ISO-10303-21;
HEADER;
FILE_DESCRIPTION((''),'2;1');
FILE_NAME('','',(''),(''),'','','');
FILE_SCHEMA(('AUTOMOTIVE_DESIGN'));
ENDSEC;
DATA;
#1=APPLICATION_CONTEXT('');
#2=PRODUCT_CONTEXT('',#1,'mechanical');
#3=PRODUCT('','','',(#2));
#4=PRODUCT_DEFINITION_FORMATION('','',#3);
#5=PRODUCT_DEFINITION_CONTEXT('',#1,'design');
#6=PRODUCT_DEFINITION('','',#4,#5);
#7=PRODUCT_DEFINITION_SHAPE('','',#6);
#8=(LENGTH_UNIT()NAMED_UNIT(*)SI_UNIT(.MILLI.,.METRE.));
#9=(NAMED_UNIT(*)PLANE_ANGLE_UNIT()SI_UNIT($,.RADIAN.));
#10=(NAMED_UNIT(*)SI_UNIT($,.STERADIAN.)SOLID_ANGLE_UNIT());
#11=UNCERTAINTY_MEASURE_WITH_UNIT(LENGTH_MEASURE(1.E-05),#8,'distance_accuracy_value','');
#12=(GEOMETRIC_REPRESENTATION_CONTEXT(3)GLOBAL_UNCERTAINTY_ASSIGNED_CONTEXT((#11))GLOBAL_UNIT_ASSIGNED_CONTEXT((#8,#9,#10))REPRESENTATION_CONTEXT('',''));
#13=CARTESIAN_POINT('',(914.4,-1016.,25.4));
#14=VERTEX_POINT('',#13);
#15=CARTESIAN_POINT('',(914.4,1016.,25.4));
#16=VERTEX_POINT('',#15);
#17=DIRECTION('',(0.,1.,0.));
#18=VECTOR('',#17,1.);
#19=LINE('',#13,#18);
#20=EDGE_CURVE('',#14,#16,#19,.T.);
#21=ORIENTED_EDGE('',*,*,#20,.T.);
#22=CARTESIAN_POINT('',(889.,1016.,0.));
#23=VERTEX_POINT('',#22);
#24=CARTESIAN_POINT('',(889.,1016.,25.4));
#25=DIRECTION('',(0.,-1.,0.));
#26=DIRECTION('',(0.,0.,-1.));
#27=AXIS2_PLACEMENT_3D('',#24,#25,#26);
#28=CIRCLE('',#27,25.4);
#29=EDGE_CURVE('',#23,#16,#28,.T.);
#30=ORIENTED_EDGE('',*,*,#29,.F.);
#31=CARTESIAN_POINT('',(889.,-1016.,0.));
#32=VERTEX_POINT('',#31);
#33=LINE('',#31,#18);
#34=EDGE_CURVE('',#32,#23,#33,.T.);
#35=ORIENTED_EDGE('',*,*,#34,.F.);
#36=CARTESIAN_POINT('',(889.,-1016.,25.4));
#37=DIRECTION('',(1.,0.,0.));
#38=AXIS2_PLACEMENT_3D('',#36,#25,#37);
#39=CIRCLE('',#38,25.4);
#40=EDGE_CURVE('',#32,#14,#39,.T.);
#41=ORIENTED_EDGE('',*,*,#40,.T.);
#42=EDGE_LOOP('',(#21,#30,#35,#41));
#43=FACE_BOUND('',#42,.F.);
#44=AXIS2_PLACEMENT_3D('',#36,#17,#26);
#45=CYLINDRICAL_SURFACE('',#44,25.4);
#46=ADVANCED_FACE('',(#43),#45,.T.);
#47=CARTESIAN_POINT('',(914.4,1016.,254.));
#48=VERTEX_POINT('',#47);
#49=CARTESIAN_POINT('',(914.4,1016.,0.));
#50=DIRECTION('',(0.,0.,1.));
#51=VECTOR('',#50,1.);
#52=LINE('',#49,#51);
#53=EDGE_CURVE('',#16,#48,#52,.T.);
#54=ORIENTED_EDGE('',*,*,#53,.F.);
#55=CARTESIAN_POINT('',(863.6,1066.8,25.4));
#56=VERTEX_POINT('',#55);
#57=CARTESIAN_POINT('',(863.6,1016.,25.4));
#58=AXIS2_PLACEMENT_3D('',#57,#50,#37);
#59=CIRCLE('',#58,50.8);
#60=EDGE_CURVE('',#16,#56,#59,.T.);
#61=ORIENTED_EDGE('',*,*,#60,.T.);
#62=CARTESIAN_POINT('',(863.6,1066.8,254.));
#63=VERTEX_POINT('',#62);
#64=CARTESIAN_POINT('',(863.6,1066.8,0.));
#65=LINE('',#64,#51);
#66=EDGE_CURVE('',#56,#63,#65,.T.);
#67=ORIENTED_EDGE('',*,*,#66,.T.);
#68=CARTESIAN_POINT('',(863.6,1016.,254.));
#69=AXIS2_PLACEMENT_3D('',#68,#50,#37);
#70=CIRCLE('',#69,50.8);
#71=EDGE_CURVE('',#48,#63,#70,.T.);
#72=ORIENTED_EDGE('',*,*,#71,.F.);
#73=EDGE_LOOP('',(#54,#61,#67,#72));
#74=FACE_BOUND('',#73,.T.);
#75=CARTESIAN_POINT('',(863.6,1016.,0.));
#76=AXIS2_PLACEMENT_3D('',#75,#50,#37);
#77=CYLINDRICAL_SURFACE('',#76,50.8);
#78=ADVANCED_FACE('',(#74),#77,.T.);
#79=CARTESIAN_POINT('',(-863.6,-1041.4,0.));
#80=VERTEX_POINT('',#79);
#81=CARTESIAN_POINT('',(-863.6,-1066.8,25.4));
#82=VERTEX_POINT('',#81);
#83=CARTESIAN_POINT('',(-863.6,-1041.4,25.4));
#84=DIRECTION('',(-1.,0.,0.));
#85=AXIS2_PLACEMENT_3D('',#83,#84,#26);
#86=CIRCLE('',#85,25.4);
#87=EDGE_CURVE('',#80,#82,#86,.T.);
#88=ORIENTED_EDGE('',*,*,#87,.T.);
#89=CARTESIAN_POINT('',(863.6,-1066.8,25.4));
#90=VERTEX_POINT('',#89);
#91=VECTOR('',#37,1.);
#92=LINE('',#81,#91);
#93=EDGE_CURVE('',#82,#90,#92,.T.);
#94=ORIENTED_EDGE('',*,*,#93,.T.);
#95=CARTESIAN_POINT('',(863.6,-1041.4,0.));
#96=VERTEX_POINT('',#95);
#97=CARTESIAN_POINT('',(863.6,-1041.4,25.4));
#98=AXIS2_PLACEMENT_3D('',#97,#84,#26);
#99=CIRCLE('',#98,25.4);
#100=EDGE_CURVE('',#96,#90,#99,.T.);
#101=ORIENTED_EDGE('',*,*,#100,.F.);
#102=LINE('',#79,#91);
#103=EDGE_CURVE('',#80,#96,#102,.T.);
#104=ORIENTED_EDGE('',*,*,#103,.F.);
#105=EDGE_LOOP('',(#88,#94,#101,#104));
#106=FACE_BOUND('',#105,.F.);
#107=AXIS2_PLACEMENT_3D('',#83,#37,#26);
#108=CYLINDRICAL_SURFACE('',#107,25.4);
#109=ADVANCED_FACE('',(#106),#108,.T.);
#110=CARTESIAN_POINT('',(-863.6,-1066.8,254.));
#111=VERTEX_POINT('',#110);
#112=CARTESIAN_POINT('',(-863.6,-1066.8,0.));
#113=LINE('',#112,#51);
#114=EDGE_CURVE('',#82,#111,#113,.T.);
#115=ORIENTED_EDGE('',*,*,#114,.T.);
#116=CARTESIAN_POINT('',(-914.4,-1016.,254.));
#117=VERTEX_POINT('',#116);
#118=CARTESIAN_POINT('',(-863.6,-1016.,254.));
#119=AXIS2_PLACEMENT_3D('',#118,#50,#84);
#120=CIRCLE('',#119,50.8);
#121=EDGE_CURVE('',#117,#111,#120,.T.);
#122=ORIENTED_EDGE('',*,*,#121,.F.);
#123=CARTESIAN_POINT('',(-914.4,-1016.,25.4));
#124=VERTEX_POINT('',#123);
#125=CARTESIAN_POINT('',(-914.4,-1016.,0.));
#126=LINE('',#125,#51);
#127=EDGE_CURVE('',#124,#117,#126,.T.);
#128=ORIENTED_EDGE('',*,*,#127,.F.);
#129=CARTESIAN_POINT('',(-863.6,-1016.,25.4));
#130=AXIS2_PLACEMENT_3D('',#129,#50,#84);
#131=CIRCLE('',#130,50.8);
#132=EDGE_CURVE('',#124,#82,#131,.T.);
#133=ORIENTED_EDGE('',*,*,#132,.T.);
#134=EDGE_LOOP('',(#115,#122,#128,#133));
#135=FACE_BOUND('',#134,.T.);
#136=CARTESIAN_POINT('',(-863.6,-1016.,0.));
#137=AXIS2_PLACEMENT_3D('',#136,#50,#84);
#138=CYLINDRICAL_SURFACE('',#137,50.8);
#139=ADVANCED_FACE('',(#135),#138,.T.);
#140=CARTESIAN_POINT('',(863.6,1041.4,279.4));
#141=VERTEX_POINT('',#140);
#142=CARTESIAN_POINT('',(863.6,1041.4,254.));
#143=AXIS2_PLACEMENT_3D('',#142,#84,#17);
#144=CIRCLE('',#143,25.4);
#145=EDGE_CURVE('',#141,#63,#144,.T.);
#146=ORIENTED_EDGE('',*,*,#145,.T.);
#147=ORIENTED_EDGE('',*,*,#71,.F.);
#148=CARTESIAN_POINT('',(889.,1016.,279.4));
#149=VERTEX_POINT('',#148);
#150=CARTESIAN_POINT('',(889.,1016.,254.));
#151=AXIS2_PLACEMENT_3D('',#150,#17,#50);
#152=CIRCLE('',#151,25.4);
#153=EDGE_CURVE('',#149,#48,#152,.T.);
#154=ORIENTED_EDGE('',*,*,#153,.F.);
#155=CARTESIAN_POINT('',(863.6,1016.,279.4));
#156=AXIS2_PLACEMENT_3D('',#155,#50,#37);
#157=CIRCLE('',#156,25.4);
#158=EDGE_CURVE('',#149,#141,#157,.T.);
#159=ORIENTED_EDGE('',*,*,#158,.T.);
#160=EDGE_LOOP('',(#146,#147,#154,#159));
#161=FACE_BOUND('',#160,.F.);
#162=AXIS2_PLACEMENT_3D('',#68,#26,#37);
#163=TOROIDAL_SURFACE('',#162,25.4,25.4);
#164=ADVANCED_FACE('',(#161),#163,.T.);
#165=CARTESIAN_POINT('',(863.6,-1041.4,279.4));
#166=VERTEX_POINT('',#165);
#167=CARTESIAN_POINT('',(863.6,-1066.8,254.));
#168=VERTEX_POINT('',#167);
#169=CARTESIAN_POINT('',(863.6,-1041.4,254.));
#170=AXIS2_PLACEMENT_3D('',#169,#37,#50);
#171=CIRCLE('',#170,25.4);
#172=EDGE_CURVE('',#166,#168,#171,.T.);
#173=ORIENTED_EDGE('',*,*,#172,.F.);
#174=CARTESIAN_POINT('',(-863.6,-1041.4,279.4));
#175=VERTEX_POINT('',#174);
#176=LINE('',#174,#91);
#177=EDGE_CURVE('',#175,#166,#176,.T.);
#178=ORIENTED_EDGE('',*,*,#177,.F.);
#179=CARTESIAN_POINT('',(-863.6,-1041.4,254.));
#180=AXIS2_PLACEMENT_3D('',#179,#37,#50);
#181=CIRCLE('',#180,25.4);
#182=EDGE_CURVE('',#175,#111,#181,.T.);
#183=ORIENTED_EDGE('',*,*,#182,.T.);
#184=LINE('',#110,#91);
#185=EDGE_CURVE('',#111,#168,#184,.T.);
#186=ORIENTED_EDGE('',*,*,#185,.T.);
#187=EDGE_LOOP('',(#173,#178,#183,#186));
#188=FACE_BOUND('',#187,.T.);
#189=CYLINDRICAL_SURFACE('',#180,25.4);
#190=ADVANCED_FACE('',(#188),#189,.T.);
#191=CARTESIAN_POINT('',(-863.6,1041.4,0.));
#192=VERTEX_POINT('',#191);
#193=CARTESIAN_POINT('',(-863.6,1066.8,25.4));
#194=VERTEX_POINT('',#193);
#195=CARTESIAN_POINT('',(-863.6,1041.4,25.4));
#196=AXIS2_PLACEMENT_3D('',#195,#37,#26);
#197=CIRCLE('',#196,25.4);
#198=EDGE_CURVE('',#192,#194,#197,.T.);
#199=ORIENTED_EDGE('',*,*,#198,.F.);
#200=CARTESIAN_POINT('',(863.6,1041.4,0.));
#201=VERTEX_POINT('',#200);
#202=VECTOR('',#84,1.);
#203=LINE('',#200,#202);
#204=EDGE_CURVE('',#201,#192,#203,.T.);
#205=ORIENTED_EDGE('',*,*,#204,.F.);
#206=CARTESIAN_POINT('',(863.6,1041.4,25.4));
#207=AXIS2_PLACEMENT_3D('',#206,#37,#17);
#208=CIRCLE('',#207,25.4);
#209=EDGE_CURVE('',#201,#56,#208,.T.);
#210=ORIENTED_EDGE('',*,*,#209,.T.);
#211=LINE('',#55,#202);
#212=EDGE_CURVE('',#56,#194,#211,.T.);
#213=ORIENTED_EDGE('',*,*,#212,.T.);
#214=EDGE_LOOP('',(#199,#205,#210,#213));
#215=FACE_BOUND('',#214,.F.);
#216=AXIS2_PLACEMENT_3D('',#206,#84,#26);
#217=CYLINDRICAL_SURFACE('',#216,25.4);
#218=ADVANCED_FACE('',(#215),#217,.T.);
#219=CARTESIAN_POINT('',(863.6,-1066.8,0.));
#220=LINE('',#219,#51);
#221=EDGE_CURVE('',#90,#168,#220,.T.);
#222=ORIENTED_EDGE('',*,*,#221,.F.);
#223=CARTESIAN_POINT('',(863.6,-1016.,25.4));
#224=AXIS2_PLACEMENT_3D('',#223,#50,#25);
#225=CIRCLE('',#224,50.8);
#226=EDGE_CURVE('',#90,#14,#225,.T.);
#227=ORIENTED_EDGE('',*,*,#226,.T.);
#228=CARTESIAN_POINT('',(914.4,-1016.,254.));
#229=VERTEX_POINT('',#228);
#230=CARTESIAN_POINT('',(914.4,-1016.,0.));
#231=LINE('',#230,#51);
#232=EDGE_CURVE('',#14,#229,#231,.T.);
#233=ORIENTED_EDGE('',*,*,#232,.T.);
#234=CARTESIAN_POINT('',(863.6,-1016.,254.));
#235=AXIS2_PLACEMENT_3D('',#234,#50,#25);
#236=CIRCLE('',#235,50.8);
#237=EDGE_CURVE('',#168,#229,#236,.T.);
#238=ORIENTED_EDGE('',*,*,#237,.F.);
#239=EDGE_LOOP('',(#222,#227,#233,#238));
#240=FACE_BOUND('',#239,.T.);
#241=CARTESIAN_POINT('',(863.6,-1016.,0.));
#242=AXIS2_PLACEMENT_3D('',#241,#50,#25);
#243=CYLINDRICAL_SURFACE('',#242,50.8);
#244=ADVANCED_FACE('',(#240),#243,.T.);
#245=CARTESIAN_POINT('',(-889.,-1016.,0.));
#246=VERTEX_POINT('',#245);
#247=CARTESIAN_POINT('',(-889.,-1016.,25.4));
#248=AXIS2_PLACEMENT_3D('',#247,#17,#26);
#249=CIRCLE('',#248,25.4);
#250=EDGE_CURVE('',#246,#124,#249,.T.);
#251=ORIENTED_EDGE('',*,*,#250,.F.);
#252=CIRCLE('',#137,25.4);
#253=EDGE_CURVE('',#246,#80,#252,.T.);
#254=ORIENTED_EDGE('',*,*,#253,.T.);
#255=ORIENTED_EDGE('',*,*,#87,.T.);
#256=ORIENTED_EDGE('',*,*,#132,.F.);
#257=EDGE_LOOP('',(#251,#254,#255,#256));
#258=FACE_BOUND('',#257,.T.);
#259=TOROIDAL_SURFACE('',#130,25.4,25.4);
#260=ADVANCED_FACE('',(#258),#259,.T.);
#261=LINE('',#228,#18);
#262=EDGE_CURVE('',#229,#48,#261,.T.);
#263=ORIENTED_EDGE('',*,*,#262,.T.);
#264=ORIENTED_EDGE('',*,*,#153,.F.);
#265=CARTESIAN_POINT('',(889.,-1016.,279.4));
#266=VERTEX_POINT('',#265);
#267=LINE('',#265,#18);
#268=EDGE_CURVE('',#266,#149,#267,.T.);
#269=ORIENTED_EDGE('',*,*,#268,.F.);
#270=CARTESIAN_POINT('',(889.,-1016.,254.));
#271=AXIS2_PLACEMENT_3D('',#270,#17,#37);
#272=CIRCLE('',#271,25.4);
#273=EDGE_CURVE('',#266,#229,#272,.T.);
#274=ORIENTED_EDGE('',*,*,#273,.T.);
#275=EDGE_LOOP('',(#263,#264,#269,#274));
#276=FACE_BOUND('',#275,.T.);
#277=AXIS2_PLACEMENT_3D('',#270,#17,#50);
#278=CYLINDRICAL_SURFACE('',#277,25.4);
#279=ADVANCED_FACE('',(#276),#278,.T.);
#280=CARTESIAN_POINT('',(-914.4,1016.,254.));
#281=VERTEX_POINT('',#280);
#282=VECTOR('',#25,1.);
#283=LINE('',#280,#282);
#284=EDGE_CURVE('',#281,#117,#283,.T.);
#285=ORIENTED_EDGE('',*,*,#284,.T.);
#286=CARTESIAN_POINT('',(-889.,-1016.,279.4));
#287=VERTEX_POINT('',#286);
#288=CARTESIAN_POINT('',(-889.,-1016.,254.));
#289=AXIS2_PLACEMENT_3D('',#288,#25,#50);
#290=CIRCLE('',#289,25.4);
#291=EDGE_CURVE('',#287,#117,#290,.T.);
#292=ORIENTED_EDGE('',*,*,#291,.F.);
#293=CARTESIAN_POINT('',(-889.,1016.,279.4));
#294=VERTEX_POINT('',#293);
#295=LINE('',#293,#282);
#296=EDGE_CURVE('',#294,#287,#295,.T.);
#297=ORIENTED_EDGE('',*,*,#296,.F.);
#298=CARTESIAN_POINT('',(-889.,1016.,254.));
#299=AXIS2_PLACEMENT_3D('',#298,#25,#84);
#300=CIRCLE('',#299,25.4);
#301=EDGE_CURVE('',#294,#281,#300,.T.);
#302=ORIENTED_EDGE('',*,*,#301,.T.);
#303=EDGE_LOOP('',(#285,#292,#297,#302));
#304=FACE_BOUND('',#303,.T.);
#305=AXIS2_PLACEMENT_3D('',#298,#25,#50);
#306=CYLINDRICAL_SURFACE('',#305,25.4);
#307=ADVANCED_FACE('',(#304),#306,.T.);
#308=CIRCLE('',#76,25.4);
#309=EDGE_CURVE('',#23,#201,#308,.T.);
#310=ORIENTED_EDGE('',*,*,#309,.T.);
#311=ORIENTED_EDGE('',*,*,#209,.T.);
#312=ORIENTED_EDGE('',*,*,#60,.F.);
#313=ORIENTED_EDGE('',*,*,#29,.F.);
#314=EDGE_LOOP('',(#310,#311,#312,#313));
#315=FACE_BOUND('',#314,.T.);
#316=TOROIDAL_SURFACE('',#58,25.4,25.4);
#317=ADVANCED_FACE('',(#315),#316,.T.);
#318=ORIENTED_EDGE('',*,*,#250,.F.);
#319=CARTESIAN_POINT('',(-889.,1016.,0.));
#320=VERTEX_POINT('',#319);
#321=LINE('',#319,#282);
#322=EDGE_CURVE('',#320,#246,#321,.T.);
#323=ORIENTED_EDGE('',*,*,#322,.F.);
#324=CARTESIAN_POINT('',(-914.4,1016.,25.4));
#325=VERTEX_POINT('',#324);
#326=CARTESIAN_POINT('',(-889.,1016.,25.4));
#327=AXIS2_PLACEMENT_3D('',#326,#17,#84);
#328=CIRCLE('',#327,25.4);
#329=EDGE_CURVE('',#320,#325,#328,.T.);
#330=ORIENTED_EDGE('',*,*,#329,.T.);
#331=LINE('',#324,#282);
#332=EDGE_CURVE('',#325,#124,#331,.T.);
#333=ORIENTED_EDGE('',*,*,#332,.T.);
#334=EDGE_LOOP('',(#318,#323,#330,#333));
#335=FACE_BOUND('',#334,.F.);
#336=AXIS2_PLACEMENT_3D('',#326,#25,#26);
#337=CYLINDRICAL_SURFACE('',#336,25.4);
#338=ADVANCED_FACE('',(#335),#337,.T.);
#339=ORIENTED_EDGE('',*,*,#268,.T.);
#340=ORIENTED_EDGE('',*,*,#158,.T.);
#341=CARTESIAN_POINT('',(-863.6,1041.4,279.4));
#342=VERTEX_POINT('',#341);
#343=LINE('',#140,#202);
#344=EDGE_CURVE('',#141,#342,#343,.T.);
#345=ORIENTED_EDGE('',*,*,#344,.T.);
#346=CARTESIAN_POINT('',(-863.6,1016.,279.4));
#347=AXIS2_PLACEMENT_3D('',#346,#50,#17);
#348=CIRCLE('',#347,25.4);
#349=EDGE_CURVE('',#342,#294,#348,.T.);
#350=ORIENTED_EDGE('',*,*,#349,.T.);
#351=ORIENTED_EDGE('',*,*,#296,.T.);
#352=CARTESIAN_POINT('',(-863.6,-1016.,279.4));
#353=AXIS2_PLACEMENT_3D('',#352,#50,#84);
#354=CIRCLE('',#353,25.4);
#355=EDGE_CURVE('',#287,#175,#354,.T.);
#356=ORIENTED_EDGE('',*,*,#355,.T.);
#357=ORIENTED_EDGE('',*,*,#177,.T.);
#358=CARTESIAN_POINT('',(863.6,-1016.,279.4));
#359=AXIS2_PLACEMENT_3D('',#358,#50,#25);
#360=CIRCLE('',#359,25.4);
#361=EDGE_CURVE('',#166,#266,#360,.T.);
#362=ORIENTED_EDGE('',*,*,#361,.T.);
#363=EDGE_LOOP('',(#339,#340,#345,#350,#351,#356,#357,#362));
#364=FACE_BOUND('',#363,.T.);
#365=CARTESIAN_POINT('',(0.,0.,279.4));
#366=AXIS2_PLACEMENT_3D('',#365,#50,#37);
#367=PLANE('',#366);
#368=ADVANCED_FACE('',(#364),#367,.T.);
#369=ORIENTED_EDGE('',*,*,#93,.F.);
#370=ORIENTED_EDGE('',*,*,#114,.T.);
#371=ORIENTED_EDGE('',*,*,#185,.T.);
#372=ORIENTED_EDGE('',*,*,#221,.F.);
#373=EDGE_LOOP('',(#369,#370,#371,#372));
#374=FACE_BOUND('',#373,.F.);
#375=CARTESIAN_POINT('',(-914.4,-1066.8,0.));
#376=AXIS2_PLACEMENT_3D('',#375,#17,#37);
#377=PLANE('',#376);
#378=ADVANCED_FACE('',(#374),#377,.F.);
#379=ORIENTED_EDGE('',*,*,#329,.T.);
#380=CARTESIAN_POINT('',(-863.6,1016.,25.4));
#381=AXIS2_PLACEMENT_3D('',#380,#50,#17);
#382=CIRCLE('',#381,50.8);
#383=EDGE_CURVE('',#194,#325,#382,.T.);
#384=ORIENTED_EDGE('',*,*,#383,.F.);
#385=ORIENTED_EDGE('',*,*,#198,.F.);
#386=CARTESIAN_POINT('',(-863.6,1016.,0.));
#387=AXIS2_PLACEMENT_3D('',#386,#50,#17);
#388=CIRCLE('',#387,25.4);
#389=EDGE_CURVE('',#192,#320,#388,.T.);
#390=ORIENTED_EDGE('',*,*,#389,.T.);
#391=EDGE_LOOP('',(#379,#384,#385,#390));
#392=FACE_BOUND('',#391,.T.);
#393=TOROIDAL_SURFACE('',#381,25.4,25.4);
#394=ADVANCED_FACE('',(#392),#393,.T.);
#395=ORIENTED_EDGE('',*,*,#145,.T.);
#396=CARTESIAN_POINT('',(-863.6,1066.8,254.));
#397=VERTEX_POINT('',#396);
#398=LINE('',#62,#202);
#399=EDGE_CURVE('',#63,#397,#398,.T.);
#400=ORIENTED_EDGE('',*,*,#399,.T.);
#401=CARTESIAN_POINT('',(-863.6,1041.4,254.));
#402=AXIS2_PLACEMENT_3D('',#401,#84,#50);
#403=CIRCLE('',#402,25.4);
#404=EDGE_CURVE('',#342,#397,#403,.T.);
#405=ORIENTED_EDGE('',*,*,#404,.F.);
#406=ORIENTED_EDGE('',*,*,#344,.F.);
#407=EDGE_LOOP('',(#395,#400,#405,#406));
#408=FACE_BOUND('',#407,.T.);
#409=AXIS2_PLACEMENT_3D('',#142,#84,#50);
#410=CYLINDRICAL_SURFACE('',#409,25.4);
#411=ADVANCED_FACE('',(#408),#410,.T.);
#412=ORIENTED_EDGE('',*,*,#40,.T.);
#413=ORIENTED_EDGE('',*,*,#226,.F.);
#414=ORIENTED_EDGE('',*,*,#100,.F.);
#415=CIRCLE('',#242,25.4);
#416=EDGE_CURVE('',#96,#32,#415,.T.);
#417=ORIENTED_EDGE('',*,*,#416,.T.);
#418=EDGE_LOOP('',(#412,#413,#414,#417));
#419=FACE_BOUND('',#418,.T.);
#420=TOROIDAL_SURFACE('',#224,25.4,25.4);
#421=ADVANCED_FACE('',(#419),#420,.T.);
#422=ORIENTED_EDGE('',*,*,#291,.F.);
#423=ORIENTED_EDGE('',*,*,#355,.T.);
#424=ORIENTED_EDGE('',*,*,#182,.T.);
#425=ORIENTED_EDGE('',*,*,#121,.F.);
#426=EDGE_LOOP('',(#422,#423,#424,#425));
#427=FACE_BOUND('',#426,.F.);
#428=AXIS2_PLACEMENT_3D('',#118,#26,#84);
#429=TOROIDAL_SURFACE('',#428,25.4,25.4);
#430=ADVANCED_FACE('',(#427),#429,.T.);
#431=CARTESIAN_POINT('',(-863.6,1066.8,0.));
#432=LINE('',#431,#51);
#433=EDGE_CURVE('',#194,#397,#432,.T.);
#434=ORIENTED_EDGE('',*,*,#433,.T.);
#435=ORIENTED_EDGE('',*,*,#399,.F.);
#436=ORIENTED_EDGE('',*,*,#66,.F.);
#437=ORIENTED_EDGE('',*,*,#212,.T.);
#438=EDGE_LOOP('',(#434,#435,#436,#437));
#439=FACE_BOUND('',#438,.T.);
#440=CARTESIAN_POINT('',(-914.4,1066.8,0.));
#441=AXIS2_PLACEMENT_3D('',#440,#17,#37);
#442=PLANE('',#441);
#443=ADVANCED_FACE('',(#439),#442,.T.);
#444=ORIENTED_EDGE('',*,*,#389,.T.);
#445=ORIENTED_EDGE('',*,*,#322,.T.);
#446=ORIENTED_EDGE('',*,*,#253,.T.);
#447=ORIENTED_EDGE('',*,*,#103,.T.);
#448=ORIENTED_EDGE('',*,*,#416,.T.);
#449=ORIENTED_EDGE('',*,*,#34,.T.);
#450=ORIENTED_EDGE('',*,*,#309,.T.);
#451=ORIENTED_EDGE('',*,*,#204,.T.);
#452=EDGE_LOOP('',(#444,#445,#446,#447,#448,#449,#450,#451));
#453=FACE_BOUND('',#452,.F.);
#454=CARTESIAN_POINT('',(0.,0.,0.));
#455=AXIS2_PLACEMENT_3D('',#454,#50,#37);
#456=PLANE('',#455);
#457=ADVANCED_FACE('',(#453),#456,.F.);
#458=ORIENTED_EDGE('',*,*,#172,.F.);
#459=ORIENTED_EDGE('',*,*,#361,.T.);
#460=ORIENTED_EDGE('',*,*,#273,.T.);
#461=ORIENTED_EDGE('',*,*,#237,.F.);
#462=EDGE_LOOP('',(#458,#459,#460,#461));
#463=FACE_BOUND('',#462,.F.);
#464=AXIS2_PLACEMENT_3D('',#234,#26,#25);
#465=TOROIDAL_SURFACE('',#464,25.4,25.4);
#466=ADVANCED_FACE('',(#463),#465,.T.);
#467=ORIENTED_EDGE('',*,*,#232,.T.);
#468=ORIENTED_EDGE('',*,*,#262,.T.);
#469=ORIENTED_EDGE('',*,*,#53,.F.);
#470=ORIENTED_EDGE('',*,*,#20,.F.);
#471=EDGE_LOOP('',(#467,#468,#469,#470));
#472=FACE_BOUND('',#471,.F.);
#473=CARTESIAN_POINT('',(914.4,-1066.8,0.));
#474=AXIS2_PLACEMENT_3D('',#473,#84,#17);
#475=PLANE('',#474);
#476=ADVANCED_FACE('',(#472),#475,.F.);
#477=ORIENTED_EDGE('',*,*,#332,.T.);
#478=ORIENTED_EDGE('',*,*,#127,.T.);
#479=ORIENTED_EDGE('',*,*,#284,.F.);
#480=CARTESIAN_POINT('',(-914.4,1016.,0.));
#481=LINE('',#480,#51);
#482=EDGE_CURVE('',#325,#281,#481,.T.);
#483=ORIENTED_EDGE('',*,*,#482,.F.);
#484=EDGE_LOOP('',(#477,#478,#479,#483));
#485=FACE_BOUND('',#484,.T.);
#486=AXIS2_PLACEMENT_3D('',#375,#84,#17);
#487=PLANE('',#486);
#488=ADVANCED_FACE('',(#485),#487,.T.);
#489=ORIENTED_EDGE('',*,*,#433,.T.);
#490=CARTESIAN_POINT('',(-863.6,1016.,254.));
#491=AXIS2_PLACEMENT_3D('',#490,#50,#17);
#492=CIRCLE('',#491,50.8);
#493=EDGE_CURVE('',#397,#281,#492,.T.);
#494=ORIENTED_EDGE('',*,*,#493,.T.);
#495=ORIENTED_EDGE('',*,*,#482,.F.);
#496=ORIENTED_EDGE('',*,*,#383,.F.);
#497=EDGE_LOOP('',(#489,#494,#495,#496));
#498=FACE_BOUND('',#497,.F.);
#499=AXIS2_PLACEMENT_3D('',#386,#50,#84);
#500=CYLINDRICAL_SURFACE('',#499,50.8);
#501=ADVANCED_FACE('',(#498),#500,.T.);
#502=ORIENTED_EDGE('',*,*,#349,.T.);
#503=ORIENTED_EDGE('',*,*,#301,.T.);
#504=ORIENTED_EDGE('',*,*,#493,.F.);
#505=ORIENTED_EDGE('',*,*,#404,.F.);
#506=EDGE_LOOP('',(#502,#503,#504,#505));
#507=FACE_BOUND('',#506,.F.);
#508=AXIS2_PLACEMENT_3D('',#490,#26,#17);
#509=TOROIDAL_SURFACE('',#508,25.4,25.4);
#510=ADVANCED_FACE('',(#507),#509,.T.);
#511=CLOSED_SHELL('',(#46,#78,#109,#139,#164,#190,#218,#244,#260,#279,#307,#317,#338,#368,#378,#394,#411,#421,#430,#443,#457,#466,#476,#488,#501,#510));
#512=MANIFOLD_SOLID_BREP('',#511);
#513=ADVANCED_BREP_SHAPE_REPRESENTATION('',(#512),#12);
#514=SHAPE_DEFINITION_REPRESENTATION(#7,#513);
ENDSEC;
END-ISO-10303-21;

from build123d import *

# Parameters (mm, degrees)
F0_W     = 1828.8
F0_H     = 2133.6
F1_DEPTH = 279.4
F2_R     = 50.8
F3_R     = 25.4


with BuildPart() as f1:
    # F0 (on Top) → F1 (new body)
    with BuildSketch(Plane.XY):
        Rectangle(F0_W, F0_H)
    extrude(amount=F1_DEPTH)

    # F2
    f2_edges = [f1.edges().sort_by_distance(p)[0] for p in [
        (-914.4, -1066.8, 139.7),
        (-914.4, 1066.8, 139.7),
        (914.4, -1066.8, 139.7),
        (914.4, 1066.8, 139.7),
    ]]
    fillet(f2_edges, radius=F2_R)

    # F3
    f3_edges = [f1.edges().sort_by_distance(p)[0] for p in [
        (0, -1066.8, 279.4),
        (899.521024, -1051.921024, 279.4),
        (914.4, 0, 279.4),
        (0, -1066.8, 0),
    ]]
    fillet(f3_edges, radius=F3_R)


solid = f1.part
